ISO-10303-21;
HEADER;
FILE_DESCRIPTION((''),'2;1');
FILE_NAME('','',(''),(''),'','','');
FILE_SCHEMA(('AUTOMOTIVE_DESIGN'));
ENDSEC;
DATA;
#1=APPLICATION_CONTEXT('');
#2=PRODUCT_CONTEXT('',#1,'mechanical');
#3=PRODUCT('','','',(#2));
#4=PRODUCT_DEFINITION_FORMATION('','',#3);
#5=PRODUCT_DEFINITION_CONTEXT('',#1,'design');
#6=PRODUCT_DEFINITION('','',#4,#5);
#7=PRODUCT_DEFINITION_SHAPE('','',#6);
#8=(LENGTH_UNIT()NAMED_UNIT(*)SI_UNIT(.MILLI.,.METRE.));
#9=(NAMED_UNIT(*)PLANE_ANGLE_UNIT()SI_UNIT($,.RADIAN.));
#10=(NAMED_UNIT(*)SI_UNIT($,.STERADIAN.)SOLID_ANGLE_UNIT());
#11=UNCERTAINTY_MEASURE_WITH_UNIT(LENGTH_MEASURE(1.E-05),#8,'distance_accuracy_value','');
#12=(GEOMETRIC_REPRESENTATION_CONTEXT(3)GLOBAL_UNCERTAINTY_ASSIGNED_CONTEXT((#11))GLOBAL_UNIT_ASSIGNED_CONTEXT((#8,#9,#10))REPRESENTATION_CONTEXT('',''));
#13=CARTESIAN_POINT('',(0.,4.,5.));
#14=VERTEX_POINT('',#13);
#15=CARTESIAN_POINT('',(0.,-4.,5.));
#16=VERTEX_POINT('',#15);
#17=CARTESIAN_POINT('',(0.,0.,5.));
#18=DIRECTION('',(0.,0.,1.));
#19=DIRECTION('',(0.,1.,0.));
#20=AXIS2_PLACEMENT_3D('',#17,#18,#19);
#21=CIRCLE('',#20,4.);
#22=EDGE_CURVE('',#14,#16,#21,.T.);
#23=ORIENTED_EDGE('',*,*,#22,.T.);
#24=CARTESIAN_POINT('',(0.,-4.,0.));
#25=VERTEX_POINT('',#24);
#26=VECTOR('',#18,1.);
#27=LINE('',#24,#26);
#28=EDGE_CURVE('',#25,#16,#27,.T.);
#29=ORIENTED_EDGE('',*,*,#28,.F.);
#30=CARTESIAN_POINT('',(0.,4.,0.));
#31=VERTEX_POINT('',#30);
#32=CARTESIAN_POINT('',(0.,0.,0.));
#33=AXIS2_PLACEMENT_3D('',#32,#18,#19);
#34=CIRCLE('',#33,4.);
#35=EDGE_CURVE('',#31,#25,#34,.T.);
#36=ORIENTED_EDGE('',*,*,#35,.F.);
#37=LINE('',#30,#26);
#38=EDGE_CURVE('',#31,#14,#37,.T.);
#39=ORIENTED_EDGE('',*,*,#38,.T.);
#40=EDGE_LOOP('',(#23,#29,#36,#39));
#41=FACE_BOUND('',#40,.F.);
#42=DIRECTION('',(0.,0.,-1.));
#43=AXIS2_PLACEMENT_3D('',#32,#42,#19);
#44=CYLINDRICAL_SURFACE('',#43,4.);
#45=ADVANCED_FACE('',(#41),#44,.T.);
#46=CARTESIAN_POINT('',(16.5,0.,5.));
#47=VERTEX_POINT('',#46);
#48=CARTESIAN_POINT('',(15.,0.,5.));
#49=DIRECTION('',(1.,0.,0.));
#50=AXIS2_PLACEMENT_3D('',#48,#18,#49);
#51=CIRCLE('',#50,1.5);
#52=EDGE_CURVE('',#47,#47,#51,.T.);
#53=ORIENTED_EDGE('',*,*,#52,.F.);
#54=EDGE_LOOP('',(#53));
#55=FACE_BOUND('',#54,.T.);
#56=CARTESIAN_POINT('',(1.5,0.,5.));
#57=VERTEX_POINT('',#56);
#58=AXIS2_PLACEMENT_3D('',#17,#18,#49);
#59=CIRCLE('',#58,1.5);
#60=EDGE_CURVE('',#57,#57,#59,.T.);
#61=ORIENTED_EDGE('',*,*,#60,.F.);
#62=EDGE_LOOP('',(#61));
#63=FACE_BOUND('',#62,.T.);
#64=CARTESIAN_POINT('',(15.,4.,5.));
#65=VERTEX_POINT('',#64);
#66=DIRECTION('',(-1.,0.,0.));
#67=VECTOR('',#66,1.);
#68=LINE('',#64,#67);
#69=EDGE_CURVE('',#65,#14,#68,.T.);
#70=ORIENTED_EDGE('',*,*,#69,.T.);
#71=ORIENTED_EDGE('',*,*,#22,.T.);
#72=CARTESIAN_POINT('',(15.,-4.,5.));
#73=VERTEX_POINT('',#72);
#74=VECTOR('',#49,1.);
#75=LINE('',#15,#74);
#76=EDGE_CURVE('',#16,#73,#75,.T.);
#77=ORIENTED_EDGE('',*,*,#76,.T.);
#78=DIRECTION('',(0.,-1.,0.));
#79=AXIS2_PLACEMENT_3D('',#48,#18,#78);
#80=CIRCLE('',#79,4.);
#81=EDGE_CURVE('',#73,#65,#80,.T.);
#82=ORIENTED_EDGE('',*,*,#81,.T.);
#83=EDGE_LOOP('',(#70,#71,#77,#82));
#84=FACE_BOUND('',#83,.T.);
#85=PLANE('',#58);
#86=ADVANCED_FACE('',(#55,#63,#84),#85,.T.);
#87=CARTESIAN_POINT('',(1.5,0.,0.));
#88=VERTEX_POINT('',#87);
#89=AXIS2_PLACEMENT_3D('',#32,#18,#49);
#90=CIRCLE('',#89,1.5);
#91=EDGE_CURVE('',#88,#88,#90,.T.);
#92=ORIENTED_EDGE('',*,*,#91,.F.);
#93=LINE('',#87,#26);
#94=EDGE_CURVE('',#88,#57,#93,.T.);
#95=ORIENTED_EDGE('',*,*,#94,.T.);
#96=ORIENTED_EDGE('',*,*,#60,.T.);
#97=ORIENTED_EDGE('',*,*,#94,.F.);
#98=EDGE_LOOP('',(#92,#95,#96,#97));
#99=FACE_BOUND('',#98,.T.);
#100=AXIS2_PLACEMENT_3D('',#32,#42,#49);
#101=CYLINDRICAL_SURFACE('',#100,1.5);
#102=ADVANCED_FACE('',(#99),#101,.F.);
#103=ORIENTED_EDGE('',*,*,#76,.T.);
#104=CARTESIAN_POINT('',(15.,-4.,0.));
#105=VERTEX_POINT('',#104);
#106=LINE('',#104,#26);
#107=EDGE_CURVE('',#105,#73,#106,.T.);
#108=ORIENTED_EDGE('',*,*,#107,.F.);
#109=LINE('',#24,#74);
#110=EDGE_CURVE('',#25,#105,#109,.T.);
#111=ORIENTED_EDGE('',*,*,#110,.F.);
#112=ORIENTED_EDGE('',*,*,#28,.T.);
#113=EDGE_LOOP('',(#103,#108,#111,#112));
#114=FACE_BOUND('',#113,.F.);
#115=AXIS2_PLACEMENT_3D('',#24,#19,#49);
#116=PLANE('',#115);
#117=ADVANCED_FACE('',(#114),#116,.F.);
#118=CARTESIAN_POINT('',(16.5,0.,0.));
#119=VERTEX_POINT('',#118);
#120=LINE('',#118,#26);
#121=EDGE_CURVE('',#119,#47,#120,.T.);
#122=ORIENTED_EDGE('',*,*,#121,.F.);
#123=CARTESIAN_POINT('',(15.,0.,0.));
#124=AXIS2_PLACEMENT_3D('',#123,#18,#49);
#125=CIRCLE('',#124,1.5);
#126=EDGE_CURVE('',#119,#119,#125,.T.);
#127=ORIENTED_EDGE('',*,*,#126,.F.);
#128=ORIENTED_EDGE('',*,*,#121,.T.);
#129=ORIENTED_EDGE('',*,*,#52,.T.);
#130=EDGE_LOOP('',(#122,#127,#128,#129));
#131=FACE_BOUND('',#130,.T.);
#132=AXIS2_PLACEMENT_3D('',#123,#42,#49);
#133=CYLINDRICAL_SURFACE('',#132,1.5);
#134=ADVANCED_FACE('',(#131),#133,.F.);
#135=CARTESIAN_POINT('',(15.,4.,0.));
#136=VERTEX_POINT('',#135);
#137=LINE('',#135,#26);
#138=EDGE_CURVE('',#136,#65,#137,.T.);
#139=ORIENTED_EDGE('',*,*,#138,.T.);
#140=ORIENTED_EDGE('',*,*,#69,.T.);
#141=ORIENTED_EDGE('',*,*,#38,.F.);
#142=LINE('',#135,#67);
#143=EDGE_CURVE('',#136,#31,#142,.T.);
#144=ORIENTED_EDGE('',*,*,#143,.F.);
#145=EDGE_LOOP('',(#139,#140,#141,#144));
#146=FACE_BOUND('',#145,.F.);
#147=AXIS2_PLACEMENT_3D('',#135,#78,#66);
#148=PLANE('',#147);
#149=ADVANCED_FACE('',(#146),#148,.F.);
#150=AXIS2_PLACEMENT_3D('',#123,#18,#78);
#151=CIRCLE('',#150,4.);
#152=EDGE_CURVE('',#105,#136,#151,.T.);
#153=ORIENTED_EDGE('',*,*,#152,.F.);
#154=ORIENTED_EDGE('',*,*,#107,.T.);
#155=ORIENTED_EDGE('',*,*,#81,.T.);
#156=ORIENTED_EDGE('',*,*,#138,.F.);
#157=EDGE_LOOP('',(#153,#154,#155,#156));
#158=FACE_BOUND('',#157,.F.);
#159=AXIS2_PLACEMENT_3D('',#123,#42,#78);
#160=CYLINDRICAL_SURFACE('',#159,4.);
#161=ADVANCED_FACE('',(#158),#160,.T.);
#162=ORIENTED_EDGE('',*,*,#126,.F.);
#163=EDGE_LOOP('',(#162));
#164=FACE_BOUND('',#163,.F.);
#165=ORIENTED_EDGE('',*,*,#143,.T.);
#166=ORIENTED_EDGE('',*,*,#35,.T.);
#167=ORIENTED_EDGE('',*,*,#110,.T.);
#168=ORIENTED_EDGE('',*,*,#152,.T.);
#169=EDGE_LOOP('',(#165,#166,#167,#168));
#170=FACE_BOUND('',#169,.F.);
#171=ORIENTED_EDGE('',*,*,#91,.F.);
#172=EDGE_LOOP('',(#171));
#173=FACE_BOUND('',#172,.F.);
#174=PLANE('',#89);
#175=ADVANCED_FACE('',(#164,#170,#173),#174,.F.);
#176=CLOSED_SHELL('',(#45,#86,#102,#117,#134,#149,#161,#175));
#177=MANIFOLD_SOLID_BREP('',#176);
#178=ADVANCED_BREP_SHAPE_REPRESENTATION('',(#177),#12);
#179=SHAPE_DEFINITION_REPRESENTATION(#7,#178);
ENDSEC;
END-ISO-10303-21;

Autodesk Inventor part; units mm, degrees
ref_plane "YZ Plane" through (0, 0, 0) normal (1, 0, 0) x (0, 1, 0)
ref_plane "XZ Plane" through (0, 0, 0) normal (0, 1, 0) x (-1, 0, 0)
ref_plane "XY Plane" through (0, 0, 0) normal (0, 0, 1) x (1, 0, 0)
sketch "Sketch1" plane through (0, 0, 0) normal (0, 0, 1) x (1, 0, 0)
  line L0 (0, 0) -> (15, 0) construction
  line L1 (0, -4) -> (15, -4)
  line L2 (15, 4) -> (0, 4)
  arc A0 (0, 4) -> (0, -4) centre (0, 0) ccw
  arc A1 (15, -4) -> (15, 4) centre (15, 0) ccw
  circle A2 centre (0, 0) radius 1.5
  circle A3 centre (15, 0) radius 1.5
  point P0 (7.5, 0)
  dimension "d0" = 15
  dimension "d1" = 3
  dimension "d2" = 8
extrude "Extrusion1" add sketch "Sketch1" along normal blind 5
properties part number "Link_VAM"
